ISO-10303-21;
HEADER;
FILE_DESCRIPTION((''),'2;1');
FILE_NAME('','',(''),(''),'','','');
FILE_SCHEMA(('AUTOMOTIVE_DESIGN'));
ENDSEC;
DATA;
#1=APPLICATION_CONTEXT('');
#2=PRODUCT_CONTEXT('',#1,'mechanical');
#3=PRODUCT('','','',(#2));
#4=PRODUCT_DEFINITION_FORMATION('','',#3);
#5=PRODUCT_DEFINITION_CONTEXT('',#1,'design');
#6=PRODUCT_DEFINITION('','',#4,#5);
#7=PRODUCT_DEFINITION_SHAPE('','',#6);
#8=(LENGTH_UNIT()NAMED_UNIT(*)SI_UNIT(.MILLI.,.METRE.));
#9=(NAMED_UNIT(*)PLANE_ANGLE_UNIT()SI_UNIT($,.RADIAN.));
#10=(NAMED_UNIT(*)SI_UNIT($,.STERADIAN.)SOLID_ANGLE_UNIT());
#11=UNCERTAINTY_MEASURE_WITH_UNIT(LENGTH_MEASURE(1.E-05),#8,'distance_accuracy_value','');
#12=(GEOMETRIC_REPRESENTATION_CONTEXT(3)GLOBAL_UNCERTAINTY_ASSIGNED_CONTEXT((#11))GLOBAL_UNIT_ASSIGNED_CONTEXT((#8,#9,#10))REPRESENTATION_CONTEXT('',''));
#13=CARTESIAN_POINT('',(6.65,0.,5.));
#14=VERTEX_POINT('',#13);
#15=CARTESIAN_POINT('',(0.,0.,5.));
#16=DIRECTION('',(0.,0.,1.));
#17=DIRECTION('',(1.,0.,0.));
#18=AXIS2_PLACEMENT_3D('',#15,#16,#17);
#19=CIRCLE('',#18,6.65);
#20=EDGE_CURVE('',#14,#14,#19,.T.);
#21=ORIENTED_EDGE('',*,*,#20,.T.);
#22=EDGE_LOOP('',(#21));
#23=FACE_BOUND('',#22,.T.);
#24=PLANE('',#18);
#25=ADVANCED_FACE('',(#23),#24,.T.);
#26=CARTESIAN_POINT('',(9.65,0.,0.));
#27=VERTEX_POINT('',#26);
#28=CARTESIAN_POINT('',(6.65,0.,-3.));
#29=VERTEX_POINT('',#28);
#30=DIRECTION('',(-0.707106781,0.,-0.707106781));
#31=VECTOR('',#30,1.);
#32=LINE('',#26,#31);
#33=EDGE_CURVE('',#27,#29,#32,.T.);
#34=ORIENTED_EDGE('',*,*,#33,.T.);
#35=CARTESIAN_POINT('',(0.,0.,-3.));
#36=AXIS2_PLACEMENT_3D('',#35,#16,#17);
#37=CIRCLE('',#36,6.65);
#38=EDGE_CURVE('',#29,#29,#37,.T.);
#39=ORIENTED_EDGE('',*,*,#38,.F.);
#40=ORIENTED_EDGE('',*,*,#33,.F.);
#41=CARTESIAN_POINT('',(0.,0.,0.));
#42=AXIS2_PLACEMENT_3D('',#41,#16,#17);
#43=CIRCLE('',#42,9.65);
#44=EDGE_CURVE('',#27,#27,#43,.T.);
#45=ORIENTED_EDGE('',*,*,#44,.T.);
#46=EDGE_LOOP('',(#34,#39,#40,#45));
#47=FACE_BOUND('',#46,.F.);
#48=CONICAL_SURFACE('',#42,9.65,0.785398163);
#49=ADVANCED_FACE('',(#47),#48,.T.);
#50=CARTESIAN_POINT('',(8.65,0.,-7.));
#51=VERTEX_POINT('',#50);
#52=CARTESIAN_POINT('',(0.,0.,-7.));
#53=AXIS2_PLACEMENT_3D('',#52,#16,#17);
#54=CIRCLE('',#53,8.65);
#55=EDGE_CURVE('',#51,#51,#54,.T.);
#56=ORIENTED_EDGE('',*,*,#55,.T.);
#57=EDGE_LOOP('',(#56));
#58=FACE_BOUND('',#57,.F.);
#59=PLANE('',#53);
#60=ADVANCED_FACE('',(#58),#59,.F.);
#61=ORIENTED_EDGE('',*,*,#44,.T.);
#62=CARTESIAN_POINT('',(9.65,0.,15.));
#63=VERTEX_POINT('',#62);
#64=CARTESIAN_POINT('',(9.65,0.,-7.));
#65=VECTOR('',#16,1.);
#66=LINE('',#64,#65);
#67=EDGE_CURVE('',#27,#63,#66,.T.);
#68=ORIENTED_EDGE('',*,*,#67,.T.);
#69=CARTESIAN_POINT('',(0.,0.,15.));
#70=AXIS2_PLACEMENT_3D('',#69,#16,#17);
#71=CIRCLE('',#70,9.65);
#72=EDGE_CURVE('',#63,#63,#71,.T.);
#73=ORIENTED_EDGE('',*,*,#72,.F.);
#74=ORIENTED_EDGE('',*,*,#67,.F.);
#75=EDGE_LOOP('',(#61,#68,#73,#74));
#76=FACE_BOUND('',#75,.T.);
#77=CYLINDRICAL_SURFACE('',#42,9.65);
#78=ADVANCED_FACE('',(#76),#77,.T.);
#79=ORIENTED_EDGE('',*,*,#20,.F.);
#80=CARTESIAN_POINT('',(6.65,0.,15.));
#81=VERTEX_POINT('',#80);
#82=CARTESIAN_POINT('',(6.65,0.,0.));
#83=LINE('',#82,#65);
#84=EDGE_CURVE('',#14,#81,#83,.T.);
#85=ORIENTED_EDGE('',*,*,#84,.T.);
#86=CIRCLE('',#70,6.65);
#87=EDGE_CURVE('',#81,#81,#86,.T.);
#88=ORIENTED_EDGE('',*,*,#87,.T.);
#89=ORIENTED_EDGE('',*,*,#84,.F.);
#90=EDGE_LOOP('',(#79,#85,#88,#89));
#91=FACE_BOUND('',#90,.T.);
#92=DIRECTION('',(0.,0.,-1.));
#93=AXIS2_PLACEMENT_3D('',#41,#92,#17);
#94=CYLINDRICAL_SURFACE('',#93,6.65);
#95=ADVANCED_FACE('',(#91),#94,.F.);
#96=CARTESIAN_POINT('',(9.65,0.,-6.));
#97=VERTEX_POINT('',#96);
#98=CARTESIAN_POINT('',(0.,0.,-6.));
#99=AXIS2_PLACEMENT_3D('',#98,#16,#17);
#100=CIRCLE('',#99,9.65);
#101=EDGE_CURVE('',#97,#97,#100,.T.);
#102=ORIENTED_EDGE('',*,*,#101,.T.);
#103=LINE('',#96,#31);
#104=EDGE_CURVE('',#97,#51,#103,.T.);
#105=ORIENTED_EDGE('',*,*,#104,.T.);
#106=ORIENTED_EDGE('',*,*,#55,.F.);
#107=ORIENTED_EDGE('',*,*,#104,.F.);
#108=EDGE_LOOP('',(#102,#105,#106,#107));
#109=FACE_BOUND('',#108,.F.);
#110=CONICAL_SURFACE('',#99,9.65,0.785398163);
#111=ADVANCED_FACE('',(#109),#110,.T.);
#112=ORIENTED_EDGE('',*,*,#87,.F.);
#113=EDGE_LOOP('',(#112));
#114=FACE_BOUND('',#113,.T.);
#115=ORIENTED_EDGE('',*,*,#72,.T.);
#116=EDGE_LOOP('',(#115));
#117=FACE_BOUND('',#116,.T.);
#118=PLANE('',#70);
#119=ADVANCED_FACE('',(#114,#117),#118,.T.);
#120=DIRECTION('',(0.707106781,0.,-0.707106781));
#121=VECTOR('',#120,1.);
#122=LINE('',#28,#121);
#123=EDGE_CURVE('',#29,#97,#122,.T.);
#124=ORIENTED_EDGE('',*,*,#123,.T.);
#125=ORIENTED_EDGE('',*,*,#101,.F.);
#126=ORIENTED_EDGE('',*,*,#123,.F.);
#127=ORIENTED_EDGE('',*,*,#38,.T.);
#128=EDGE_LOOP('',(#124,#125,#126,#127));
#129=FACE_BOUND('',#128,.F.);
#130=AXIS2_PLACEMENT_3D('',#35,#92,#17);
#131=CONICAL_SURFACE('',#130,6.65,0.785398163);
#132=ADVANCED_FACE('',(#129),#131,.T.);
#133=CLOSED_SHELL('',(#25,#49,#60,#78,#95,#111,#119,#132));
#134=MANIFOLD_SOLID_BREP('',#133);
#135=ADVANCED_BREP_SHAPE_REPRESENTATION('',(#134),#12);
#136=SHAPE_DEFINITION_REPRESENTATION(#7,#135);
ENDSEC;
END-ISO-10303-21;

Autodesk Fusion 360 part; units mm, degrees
sketch "Sketch1" plane through (0, 0, 0) normal (0, 0, 1) x (1, 0, 0)
  circle A0 centre (0, 0) radius 6.65
  circle A1 centre (0, 0) radius 9.65
  dimension "d1" = 13.3
  dimension "d2" = 3
extrude "Extrude1" add sketch "Sketch1" along normal blind 15
extrude "Extrude2" add sketch "Sketch1" along normal blind 5 contours A0
sketch "Sketch2" plane through (0, 0, 0) normal (0, 0, 1) x (1, 0, 0)
  circle A0 centre (0, 0) radius 9.65
  dimension "d7" = 19.3
extrude "Extrude3" add sketch "Sketch2" against normal blind 7
sketch "Sketch3" plane through (0, 0, -7) normal (0, 0, -1) x (1, 0, 0)
  circle A0 centre (0, 0) radius 9.65
  circle A1 centre (0, 0) radius 5
  dimension "d10" = 10
chamfer "Chamfer1" distance 1 angle 45 1 edges at (-8.997, 3.4896, -7)
sketch "Sketch4" plane through (0, 0, 0) normal (0, 1, 0) x (1, 0, 0)
  line L0 (9.65, 6) -> (-9.65, 6)
  line L1 (9.65, 6) -> (9.65, 0)
  line L2 (9.65, 0) -> (6.65, 3)
  line L3 (6.65, 3) -> (9.65, 6)
  line L4 (0, 0) -> (9.65, 0)
  dimension "d18" = 45
revolve "Revolve1" cut sketch "Sketch4" angle 360 about axis through (0, 0, 1.75) along (0, 0, 1)
